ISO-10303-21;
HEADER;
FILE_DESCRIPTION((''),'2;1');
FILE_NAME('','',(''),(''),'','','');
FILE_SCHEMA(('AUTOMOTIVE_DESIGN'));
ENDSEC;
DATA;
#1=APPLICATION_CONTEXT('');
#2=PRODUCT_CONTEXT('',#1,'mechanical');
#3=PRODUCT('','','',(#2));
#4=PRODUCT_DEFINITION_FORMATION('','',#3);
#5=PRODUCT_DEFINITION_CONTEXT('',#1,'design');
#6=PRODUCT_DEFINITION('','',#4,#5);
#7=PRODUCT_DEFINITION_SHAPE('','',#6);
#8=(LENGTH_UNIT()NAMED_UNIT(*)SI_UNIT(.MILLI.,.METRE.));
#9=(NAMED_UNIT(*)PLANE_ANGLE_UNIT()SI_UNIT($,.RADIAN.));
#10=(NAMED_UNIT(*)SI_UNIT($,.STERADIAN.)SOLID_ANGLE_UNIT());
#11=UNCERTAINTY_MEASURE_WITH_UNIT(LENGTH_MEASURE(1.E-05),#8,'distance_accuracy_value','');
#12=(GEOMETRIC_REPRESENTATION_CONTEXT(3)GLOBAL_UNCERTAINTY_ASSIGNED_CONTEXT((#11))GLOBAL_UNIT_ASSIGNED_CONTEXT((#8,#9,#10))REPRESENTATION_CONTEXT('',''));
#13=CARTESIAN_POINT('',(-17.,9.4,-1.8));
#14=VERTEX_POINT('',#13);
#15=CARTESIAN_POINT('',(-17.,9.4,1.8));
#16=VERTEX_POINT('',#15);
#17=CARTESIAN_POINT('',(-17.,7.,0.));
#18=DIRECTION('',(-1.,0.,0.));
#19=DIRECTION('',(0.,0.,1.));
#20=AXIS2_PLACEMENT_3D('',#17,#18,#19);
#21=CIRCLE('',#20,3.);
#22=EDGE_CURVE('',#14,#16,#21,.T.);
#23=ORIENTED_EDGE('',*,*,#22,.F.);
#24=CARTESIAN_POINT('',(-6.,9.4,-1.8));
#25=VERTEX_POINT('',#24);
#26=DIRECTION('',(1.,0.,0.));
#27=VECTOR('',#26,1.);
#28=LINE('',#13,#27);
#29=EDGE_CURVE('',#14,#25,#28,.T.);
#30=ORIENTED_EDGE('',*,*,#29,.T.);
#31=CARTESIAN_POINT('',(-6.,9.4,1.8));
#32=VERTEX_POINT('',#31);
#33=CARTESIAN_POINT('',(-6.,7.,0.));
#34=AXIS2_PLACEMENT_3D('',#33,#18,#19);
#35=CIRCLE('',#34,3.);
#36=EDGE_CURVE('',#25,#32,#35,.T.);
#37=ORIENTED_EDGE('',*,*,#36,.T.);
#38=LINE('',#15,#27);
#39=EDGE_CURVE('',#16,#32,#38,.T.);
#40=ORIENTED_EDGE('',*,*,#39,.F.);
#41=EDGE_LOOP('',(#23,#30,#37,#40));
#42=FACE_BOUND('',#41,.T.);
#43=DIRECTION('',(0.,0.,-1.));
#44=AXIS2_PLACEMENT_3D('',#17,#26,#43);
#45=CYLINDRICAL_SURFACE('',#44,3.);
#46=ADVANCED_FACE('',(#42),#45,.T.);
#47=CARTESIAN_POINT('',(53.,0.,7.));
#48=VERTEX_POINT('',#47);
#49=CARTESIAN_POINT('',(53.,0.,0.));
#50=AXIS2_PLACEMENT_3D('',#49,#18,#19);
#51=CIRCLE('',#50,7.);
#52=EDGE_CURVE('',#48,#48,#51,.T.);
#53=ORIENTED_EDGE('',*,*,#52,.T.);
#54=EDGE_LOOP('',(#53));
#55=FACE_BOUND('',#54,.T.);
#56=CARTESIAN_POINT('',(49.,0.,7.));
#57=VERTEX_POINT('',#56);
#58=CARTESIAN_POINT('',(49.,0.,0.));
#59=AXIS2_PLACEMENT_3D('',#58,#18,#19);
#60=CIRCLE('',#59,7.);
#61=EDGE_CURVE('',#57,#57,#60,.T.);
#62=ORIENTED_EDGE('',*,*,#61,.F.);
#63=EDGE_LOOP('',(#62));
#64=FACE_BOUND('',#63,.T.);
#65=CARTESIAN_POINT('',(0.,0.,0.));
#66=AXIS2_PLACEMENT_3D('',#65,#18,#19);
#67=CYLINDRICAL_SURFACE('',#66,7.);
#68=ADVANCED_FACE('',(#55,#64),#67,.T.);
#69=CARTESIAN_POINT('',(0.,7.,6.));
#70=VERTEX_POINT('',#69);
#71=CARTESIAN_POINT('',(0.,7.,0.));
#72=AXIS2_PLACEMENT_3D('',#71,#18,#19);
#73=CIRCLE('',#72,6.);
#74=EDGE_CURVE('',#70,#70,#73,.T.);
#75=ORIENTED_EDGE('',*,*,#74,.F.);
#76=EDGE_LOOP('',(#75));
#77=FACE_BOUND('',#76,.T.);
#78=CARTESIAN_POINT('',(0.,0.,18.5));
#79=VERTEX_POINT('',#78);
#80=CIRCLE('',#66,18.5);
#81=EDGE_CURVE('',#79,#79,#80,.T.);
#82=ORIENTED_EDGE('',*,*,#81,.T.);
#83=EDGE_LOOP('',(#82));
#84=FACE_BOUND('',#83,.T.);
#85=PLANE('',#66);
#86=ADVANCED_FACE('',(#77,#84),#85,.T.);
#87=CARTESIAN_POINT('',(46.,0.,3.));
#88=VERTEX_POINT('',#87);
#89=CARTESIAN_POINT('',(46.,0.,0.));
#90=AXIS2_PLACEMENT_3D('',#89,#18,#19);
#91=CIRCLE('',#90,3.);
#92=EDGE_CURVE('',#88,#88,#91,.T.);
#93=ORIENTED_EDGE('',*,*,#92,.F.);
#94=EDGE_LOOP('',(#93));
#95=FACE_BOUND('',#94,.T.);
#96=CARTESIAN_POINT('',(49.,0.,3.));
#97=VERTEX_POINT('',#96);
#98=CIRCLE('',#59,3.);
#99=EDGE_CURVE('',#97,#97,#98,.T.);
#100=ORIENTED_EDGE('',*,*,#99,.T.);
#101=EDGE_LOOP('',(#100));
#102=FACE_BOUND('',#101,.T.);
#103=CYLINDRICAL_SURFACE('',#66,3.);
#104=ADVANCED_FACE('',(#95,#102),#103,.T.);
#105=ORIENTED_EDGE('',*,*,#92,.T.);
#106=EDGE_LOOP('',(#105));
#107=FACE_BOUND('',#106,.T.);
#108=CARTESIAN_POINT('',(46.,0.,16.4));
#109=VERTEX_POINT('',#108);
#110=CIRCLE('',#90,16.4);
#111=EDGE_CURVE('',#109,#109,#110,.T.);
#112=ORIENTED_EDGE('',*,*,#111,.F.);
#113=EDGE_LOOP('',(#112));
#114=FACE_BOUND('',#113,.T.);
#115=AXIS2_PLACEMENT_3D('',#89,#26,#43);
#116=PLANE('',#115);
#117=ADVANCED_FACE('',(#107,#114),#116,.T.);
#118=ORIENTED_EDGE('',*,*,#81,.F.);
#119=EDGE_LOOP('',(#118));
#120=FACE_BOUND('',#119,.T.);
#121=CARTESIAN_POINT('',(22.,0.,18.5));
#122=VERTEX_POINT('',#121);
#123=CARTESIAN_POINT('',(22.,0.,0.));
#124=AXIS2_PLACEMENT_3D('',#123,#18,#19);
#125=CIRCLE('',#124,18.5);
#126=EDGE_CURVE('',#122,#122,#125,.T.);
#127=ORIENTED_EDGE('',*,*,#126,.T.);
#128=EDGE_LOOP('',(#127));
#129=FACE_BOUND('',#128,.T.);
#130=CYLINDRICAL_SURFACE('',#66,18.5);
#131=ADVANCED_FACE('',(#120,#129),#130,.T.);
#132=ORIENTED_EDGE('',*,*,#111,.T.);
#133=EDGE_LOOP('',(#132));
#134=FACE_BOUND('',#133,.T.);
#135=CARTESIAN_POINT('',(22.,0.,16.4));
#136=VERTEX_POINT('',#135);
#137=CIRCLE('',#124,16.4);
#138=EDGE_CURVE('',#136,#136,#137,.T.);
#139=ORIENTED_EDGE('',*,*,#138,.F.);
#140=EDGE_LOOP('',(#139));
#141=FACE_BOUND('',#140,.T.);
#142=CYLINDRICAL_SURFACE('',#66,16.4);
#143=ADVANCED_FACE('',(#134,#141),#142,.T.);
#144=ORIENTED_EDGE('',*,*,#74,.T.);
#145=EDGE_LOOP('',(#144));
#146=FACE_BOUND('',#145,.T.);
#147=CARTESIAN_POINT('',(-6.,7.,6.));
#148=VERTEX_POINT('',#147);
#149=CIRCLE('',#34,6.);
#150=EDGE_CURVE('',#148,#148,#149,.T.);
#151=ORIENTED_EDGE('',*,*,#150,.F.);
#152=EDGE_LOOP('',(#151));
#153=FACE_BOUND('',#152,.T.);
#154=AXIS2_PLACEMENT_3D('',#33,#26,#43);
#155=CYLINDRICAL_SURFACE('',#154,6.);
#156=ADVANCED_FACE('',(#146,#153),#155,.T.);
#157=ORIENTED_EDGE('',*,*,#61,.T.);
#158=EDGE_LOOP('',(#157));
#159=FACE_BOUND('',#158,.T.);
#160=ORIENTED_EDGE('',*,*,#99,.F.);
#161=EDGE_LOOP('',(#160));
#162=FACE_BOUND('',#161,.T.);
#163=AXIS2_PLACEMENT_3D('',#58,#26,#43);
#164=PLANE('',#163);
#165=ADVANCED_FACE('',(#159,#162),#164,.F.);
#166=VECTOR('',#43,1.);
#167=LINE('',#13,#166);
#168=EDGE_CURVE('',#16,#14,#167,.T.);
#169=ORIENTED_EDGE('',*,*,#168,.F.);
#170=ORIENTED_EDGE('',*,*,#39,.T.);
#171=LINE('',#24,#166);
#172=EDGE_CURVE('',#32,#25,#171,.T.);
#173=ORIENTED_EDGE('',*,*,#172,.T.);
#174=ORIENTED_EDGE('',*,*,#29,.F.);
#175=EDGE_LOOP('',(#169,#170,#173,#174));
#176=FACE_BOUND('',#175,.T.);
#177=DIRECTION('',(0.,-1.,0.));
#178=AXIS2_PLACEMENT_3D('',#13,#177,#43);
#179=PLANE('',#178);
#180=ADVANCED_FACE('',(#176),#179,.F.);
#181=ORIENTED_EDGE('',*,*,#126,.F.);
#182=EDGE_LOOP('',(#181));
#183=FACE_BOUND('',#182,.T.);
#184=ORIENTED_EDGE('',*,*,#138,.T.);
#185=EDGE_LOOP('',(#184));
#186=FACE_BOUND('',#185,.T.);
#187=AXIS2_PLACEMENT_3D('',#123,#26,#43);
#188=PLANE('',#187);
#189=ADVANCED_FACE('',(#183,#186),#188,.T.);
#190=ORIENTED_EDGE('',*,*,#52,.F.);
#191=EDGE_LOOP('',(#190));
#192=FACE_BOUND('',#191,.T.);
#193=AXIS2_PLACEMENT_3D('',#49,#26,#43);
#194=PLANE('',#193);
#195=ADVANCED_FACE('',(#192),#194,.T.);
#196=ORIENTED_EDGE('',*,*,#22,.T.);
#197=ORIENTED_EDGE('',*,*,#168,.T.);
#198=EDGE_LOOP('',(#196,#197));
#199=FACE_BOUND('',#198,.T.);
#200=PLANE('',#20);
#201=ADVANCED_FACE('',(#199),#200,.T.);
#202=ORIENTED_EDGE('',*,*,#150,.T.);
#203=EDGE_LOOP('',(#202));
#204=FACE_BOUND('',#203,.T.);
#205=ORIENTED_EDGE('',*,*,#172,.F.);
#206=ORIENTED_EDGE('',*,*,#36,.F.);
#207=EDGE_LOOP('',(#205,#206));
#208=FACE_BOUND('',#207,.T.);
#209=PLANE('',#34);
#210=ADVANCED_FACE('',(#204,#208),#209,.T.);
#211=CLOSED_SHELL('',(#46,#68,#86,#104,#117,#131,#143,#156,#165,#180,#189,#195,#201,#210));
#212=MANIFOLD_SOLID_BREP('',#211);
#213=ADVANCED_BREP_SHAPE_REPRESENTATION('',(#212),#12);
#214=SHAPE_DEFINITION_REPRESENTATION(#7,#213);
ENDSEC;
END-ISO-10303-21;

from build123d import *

# Parameters (mm, degrees)
SKETCH_2_R      = 6
EXTRUDE_1_DEPTH = 6
EXTRUDE_2_DEPTH = 11


with BuildPart() as part:
    # 草图1 → 旋转1 (revolve)
    with BuildSketch(Plane(origin=(0, 0, 0), x_dir=(1, 0, 0), z_dir=(0, 1, 0)), mode=Mode.PRIVATE) as revolve_1_sk:
        Polygon((0, 18.5), (0, 0), (53, 0), (53, 7), (49, 7), (49, 3), (46, 3), (46, 16.4), (22, 16.4), (22, 18.5), align=None)
    revolve(revolve_1_sk.sketch.rotate(Axis((0, 0, 0), (1, 0, 0)), 180), axis=Axis((0, 0, 0), (1, 0, 0)))

    # 草图2 → 凸台-拉伸1 (add)
    with BuildSketch(Plane.ZY):
        with Locations((0, 7)):
            Circle(SKETCH_2_R)
    extrude(amount=EXTRUDE_1_DEPTH)

    # 草图3 → 凸台-拉伸2 (add)
    with BuildSketch(Plane.ZY.offset(6)):
        with BuildLine():
            Line((-1.8, 9.4), (1.8, 9.4))
            ThreePointArc((1.8, 9.4), (0, 4), (-1.8, 9.4))
        make_face()
    extrude(amount=EXTRUDE_2_DEPTH)


solid = part.part
